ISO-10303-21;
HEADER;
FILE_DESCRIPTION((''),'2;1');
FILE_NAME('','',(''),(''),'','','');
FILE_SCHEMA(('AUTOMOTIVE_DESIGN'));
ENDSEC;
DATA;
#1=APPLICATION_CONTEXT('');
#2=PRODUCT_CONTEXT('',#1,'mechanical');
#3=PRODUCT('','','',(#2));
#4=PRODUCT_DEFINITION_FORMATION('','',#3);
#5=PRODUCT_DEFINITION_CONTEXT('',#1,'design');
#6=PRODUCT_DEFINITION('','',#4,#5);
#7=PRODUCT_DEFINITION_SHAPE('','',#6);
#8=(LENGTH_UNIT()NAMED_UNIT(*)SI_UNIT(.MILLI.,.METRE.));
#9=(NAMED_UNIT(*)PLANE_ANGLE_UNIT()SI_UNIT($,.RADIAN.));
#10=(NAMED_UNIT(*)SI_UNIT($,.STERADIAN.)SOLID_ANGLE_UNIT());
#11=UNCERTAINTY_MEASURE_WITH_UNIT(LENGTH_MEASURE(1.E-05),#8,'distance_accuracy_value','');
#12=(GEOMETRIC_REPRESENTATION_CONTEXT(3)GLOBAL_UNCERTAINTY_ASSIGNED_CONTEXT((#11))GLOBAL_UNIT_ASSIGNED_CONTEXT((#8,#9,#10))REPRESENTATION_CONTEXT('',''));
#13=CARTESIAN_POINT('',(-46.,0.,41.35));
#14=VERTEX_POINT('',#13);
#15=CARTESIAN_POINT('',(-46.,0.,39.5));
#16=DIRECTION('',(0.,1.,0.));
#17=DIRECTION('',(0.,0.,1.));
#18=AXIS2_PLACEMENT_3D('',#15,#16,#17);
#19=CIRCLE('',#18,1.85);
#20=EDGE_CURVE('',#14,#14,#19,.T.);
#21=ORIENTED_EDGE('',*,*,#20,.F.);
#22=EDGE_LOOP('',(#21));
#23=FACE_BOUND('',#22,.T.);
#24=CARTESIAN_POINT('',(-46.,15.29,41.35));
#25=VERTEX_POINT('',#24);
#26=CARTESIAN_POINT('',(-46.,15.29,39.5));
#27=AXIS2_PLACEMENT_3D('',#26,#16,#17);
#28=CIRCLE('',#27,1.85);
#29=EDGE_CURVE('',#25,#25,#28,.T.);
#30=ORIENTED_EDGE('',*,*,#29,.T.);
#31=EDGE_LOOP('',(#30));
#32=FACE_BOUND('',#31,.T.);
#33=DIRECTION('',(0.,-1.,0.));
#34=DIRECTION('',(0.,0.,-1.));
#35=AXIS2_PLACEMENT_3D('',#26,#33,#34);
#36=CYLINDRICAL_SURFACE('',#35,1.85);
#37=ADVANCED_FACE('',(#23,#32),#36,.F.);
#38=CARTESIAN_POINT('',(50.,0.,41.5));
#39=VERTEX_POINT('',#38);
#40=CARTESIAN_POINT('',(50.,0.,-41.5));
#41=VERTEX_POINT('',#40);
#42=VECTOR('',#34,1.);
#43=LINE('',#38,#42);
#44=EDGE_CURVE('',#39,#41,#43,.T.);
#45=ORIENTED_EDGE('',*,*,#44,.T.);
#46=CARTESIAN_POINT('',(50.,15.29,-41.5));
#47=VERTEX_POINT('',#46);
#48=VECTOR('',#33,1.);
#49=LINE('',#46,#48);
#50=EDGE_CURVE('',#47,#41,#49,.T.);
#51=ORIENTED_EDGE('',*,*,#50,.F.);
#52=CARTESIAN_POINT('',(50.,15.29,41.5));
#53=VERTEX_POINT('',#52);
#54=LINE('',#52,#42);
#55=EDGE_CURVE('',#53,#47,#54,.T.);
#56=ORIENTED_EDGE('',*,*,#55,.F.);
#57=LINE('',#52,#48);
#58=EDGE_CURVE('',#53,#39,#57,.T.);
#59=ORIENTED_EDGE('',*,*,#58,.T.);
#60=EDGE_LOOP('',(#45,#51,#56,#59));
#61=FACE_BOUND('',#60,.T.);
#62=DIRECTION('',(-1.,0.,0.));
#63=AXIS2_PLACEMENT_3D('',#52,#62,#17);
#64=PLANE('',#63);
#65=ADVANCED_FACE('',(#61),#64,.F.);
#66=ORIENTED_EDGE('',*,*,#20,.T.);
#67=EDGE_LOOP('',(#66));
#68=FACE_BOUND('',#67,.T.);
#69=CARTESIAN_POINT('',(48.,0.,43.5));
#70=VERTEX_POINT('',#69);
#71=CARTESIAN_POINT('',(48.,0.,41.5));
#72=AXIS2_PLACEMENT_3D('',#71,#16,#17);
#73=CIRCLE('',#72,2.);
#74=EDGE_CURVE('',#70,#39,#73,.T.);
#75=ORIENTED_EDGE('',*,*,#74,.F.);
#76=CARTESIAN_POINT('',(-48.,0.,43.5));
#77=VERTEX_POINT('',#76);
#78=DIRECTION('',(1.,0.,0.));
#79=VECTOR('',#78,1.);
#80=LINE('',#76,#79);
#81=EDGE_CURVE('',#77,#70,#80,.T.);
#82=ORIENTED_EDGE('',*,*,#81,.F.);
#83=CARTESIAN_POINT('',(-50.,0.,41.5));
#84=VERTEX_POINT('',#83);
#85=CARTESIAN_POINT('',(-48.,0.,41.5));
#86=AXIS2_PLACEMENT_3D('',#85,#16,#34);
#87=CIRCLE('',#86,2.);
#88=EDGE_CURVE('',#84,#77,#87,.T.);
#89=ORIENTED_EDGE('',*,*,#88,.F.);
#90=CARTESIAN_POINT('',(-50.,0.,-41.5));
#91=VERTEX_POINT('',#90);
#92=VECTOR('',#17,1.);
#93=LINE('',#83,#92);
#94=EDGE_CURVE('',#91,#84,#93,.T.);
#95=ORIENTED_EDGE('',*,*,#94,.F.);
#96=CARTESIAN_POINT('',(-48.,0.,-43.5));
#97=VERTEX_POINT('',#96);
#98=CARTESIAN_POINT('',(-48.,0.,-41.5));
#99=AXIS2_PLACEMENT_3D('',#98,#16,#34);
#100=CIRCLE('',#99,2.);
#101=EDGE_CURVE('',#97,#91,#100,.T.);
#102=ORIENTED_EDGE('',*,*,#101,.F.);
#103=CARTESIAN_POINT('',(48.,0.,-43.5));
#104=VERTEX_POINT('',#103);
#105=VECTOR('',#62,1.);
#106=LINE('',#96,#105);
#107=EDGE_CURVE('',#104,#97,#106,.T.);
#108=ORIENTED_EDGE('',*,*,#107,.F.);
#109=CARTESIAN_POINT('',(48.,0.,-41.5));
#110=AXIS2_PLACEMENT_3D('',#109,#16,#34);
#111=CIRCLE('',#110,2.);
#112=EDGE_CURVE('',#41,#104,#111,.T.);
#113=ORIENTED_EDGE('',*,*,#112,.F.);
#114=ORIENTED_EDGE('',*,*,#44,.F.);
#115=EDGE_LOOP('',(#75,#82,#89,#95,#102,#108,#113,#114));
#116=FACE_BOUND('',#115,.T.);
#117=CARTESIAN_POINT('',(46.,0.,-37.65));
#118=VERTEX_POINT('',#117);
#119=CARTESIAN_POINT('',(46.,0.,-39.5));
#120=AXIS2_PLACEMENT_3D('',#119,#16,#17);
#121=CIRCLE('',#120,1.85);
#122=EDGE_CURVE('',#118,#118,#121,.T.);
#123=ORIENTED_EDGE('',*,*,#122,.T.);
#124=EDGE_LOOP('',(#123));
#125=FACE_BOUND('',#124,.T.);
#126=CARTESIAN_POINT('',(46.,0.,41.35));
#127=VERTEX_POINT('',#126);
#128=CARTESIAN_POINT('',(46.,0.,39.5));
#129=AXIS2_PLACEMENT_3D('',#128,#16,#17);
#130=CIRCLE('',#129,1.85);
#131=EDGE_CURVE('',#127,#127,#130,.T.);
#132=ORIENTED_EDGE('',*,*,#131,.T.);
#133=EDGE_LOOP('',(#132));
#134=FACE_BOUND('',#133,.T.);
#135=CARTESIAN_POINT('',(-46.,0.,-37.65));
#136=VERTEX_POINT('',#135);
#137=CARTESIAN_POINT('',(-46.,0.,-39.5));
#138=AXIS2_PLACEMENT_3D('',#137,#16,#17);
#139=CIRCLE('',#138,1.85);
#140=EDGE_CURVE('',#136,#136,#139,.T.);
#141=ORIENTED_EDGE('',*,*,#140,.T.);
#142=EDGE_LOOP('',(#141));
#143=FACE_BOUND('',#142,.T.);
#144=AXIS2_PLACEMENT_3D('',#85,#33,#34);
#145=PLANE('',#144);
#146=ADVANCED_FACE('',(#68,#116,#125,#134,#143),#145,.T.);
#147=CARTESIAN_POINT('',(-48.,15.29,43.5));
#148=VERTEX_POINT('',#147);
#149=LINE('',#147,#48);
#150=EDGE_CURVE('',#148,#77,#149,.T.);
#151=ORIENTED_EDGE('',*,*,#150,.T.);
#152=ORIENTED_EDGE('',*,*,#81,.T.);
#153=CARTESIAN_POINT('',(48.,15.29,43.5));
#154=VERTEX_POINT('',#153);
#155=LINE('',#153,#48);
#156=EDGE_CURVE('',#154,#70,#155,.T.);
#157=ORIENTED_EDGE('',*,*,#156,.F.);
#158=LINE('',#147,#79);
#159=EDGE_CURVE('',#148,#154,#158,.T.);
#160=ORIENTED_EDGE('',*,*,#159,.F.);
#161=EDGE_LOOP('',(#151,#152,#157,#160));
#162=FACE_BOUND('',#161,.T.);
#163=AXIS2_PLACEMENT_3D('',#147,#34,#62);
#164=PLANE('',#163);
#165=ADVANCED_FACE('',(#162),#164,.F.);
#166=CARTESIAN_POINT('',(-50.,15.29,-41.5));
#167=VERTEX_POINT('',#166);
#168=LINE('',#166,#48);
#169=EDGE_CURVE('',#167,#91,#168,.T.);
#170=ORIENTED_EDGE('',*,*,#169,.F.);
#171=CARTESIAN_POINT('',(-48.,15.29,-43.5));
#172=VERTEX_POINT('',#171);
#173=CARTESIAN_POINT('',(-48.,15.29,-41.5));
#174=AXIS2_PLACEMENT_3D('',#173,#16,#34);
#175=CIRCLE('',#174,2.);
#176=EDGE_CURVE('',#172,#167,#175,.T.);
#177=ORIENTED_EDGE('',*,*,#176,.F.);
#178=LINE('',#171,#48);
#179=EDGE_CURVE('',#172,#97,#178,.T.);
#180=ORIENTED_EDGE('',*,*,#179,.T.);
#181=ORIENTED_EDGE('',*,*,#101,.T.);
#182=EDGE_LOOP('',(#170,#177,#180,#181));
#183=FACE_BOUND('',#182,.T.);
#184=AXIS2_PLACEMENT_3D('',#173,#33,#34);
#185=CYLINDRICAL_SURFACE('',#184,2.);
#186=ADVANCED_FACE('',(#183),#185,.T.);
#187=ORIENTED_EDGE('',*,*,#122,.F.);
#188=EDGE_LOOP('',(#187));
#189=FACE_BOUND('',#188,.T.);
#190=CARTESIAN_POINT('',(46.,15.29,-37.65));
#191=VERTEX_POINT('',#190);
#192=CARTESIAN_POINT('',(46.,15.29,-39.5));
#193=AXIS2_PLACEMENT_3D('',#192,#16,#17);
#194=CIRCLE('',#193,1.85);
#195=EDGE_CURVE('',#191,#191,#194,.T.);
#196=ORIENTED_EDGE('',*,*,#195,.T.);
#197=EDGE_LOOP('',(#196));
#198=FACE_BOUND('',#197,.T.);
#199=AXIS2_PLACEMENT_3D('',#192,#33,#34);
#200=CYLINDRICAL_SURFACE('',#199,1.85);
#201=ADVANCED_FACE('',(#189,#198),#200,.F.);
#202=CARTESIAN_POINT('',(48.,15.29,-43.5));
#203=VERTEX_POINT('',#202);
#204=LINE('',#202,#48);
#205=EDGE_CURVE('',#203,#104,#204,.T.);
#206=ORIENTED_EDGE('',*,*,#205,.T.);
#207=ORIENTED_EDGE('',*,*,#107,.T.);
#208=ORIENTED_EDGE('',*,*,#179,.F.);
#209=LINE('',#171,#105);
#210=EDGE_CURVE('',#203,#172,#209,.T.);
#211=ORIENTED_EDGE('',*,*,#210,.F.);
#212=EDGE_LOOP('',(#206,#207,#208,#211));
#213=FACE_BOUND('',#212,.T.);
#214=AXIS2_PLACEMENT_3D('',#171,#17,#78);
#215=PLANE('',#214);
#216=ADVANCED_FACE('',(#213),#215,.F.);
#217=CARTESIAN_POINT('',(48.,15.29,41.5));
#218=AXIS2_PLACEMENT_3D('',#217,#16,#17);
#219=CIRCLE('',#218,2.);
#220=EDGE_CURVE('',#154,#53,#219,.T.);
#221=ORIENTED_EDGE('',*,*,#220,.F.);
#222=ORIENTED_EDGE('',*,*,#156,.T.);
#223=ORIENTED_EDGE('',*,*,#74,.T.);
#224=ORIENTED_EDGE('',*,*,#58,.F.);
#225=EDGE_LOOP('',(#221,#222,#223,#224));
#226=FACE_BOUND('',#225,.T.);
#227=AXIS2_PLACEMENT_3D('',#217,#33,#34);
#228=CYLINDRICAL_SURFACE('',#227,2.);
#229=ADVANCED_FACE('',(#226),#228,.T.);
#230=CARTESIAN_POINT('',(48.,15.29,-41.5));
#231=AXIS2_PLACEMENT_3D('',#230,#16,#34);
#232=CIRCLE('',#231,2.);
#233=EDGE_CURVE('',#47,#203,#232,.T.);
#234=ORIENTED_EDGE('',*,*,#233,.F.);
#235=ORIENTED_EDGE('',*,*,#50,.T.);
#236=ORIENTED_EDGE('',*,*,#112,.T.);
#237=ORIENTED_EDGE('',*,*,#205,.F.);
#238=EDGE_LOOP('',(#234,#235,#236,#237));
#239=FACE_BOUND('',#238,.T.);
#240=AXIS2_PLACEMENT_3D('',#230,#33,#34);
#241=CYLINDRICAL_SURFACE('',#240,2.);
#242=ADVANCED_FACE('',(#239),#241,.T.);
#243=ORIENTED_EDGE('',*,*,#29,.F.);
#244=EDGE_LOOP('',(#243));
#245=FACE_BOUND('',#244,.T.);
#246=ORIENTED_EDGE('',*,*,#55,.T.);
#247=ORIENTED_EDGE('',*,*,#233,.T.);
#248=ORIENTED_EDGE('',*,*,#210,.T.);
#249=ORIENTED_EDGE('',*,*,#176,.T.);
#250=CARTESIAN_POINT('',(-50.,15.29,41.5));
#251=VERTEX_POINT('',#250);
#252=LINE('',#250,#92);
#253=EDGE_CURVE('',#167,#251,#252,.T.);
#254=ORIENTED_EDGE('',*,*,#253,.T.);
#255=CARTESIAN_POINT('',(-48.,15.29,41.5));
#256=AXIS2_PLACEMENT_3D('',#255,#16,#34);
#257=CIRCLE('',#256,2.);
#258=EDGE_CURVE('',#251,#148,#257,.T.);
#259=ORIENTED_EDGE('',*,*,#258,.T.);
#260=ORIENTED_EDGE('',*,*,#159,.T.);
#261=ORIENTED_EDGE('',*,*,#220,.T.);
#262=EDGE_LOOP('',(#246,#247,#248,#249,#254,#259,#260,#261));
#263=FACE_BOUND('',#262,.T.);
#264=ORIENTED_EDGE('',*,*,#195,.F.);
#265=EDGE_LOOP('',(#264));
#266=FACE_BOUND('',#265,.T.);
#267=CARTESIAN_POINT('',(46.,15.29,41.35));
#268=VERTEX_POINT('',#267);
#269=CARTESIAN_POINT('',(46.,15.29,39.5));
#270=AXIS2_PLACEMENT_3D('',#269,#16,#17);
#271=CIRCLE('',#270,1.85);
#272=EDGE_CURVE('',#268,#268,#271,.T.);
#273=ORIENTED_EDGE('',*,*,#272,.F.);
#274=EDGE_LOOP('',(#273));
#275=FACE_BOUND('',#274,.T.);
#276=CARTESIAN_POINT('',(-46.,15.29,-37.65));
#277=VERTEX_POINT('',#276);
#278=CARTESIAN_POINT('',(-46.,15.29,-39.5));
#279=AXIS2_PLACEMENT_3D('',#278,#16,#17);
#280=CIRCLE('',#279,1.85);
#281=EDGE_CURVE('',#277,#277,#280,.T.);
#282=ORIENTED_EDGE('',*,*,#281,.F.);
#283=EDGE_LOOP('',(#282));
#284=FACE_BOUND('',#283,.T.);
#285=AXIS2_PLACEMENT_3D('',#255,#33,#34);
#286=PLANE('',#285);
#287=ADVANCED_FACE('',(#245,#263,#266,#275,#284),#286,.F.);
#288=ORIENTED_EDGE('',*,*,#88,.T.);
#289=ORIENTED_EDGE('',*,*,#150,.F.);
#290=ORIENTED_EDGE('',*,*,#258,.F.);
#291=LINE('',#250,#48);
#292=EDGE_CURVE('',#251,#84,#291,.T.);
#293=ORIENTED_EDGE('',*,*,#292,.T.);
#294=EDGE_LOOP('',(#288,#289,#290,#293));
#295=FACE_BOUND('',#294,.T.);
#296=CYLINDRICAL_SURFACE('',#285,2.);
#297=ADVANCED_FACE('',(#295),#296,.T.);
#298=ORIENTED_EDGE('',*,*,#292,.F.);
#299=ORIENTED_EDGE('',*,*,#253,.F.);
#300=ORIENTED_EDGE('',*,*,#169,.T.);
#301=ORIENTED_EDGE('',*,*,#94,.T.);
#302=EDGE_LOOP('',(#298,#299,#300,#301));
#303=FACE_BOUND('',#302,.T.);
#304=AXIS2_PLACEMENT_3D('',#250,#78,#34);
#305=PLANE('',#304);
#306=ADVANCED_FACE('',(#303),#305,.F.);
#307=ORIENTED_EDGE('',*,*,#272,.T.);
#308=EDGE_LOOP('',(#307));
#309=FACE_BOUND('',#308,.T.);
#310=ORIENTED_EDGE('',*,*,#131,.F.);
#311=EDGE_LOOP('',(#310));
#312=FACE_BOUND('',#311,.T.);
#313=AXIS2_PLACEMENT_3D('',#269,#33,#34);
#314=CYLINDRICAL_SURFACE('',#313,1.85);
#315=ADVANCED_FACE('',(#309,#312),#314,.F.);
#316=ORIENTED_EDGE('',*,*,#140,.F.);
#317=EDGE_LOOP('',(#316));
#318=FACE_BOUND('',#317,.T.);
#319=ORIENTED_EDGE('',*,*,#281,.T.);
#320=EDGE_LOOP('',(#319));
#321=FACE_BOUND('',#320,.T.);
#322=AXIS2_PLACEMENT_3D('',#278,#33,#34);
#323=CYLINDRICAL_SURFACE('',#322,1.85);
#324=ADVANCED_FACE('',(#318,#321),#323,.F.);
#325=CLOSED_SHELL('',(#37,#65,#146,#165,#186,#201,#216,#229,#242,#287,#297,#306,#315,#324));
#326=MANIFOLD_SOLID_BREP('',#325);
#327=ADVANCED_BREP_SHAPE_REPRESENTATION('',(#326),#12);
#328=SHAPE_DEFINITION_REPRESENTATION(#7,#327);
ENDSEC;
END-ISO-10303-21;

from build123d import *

# Parameters (mm, degrees)
SKETCH1_R           = 1.85
BOSS_EXTRUDE1_DEPTH = 15.29


with BuildPart() as part:
    # Sketch1 → Boss-Extrude1 (new body)
    with BuildSketch(Plane(origin=(0, 0, 0), x_dir=(1, 0, 0), z_dir=(0, 1, 0))):
        with BuildLine():
            Line((-48, -43.5), (48, -43.5))
            ThreePointArc((48, -43.5), (49.414213562, -42.914213562), (50, -41.5))
            Line((50, -41.5), (50, 41.5))
            ThreePointArc((50, 41.5), (49.414213562, 42.914213562), (48, 43.5))
            Line((48, 43.5), (-48, 43.5))
            ThreePointArc((-48, 43.5), (-49.414213562, 42.914213562), (-50, 41.5))
            Line((-50, 41.5), (-50, -41.5))
            ThreePointArc((-50, -41.5), (-49.414213562, -42.914213562), (-48, -43.5))
        make_face()
        with Locations(Location((46, 39.5, 0), (0, 0, 270))):
            Circle(SKETCH1_R, mode=Mode.SUBTRACT)
        with Locations(Location((46, -39.5, 0), (0, 0, 270))):
            Circle(SKETCH1_R, mode=Mode.SUBTRACT)
        with Locations(Location((-46, -39.5, 0), (0, 0, 270))):
            Circle(SKETCH1_R, mode=Mode.SUBTRACT)
        with Locations(Location((-46, 39.5, 0), (0, 0, 270))):
            Circle(SKETCH1_R, mode=Mode.SUBTRACT)
    extrude(amount=BOSS_EXTRUDE1_DEPTH)


solid = part.part
